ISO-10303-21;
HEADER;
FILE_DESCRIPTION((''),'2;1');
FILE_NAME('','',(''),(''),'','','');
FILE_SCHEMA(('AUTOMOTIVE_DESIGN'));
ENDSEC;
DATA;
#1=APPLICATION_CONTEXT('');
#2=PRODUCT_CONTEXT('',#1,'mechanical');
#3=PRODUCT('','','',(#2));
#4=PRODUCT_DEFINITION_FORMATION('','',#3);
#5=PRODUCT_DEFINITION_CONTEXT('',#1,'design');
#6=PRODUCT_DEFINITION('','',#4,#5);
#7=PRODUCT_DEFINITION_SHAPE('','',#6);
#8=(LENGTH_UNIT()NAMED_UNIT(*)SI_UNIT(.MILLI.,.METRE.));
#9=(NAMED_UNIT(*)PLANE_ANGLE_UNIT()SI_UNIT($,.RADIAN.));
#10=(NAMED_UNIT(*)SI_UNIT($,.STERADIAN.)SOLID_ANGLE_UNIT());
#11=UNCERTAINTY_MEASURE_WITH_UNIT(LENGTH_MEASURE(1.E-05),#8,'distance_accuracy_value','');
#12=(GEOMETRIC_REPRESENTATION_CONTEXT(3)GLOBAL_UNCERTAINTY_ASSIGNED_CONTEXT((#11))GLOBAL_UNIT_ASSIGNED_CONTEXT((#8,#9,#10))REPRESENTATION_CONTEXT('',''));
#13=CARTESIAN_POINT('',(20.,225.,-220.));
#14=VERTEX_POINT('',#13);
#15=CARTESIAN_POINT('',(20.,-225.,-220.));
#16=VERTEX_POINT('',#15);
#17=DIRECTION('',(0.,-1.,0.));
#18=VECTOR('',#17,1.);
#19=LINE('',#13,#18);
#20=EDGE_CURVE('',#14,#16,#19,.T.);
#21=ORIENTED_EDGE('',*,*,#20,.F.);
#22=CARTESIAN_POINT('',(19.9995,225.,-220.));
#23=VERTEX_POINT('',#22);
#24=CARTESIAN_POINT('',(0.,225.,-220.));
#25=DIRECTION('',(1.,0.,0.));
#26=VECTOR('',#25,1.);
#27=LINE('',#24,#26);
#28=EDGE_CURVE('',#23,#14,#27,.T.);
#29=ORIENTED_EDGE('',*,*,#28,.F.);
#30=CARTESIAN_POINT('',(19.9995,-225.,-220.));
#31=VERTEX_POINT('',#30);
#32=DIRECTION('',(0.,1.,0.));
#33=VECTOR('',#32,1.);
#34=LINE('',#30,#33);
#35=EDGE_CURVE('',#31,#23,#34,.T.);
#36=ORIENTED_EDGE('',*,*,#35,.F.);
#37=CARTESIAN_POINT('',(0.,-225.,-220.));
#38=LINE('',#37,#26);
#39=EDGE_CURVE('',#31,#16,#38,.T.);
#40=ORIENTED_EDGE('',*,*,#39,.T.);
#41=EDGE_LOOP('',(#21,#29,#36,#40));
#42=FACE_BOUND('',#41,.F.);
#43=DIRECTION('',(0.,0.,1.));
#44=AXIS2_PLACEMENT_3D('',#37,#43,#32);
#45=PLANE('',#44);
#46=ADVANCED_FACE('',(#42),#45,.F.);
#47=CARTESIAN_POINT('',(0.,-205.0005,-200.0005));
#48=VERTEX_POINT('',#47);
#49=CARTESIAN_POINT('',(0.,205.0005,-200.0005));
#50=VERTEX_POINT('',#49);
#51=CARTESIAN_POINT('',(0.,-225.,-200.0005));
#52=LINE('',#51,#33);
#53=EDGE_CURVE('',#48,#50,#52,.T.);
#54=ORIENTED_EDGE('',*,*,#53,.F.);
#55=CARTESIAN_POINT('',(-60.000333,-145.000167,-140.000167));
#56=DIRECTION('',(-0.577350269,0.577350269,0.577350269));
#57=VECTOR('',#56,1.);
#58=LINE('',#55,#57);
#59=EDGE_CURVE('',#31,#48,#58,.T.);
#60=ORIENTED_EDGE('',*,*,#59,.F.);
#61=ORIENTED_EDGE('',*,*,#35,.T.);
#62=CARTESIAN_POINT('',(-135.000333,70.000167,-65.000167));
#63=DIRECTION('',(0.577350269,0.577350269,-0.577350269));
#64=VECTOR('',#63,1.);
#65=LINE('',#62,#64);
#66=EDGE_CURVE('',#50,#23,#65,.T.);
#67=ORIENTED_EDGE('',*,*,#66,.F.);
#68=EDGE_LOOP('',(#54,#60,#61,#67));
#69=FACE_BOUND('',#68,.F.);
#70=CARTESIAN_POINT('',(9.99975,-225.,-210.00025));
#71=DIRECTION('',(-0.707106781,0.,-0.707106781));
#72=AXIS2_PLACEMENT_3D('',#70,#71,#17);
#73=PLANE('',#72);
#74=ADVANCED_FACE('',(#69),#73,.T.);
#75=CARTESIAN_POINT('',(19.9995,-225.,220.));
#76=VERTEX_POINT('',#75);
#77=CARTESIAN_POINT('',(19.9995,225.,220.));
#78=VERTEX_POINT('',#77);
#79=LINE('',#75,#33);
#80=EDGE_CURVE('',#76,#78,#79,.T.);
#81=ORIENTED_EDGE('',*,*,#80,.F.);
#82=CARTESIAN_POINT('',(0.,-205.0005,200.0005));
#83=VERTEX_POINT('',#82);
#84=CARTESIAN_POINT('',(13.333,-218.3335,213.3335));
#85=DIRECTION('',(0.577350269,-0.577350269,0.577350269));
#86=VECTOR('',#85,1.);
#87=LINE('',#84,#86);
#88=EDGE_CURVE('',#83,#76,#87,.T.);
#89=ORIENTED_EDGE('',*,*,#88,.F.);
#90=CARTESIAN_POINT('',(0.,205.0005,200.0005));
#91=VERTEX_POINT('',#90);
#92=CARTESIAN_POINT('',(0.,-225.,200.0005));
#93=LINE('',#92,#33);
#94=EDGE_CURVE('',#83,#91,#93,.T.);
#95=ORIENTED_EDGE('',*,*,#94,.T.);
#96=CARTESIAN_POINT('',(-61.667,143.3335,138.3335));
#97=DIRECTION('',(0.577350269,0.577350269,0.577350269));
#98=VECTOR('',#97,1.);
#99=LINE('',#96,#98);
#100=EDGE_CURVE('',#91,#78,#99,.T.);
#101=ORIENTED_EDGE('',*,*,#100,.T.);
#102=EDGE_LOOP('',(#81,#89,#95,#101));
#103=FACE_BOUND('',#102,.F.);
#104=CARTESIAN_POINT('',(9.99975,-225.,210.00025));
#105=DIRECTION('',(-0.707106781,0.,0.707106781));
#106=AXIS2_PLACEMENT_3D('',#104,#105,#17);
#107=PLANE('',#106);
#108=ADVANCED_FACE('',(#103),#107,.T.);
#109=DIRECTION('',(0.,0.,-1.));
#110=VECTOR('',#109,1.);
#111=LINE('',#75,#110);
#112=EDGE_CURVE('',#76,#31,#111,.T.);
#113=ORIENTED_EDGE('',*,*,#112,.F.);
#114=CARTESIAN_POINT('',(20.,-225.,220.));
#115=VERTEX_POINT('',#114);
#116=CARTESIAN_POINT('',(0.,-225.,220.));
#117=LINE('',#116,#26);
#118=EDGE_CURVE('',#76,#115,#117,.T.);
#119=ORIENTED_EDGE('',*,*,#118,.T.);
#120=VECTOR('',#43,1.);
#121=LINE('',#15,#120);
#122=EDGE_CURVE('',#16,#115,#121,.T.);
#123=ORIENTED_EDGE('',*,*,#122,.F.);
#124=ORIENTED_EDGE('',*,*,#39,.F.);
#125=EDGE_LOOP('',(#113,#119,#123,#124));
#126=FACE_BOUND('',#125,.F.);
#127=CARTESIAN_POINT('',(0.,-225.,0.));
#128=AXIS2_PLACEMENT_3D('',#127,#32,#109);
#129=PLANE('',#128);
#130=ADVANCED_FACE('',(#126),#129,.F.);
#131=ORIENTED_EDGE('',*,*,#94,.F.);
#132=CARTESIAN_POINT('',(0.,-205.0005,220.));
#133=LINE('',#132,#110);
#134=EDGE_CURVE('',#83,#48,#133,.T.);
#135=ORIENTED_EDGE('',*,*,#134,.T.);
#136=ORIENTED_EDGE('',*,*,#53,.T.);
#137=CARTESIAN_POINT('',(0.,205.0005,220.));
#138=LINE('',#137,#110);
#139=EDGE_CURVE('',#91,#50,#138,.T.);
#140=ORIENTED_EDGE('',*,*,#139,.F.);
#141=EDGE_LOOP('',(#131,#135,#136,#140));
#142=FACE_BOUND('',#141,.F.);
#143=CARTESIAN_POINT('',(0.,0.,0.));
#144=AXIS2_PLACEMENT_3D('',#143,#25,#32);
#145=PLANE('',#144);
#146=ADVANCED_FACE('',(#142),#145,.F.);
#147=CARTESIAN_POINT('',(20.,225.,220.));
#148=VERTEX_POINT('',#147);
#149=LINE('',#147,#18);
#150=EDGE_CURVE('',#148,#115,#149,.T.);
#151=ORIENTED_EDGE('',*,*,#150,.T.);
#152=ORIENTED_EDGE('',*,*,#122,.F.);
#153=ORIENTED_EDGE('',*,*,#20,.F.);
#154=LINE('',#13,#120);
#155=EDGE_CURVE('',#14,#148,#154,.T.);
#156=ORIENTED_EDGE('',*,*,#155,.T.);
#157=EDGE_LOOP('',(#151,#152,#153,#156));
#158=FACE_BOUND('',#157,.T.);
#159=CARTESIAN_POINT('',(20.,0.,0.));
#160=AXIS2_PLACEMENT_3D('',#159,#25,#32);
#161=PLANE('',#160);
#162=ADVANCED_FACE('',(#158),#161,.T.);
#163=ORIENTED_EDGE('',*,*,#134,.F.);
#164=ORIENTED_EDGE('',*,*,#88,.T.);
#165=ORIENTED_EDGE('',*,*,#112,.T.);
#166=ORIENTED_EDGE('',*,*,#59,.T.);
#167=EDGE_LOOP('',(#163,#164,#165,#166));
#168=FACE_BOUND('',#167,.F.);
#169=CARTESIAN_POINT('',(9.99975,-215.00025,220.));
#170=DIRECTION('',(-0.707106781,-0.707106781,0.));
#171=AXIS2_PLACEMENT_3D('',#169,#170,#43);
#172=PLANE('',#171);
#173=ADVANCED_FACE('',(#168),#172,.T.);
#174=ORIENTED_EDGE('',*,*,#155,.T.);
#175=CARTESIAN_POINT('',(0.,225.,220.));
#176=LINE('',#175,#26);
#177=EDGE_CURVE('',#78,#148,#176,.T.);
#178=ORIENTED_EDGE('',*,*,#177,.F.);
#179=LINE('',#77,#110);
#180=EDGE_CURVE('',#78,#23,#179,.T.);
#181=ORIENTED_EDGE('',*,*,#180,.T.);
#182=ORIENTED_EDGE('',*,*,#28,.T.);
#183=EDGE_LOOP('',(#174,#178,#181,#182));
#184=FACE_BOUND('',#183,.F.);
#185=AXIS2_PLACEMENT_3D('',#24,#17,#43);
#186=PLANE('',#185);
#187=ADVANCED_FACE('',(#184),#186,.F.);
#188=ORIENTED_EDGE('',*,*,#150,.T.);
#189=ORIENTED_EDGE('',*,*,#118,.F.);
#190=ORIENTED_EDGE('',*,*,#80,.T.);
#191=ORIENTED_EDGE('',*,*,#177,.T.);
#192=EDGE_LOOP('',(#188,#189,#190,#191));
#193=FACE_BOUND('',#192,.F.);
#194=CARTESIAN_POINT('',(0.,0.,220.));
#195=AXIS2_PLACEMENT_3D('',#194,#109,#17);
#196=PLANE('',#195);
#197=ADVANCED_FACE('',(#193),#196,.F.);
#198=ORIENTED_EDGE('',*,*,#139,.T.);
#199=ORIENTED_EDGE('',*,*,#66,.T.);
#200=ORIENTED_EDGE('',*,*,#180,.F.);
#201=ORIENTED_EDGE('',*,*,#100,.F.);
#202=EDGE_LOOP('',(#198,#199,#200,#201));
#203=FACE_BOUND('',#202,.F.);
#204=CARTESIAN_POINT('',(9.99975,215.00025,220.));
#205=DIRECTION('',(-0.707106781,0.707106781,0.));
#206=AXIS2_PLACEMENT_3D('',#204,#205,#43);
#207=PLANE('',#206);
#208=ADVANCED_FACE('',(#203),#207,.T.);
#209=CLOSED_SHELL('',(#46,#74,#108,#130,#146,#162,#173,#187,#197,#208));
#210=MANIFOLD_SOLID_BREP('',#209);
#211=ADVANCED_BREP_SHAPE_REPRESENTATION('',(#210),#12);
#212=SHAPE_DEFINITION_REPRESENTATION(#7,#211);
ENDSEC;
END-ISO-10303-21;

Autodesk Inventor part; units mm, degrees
ref_plane "YZ Plane" through (0, 0, 0) normal (1, 0, 0) x (0, 1, 0)
ref_plane "XZ Plane" through (0, 0, 0) normal (0, 1, 0) x (-1, 0, 0)
ref_plane "XY Plane" through (0, 0, 0) normal (0, 0, 1) x (1, 0, 0)
sketch "Skizze1" plane through (0, 0, 0) normal (1, 0, 0) x (0, 1, 0)
  line L0 (0, -308) -> (0, 308) projected
  line L1 (-315, 0) -> (315, 0) projected
  line L2 (225, 220) -> (-225, 220)
  line L3 (-225, 220) -> (-225, -220)
  line L4 (-225, -220) -> (225, -220)
  line L5 (225, -220) -> (225, 220)
  point P0 (0, 0)
  dimension "d0" = 440
  dimension "d1" = 450
extrude "Extrusion1" add sketch "Skizze1" along normal blind 20
chamfer "Fase1" distance 20 angle 45 4 edges at (0, 0, 220) (0, 225, 0) (0, 0, -220) (0, -225, 0)
properties part number "Wand2"
